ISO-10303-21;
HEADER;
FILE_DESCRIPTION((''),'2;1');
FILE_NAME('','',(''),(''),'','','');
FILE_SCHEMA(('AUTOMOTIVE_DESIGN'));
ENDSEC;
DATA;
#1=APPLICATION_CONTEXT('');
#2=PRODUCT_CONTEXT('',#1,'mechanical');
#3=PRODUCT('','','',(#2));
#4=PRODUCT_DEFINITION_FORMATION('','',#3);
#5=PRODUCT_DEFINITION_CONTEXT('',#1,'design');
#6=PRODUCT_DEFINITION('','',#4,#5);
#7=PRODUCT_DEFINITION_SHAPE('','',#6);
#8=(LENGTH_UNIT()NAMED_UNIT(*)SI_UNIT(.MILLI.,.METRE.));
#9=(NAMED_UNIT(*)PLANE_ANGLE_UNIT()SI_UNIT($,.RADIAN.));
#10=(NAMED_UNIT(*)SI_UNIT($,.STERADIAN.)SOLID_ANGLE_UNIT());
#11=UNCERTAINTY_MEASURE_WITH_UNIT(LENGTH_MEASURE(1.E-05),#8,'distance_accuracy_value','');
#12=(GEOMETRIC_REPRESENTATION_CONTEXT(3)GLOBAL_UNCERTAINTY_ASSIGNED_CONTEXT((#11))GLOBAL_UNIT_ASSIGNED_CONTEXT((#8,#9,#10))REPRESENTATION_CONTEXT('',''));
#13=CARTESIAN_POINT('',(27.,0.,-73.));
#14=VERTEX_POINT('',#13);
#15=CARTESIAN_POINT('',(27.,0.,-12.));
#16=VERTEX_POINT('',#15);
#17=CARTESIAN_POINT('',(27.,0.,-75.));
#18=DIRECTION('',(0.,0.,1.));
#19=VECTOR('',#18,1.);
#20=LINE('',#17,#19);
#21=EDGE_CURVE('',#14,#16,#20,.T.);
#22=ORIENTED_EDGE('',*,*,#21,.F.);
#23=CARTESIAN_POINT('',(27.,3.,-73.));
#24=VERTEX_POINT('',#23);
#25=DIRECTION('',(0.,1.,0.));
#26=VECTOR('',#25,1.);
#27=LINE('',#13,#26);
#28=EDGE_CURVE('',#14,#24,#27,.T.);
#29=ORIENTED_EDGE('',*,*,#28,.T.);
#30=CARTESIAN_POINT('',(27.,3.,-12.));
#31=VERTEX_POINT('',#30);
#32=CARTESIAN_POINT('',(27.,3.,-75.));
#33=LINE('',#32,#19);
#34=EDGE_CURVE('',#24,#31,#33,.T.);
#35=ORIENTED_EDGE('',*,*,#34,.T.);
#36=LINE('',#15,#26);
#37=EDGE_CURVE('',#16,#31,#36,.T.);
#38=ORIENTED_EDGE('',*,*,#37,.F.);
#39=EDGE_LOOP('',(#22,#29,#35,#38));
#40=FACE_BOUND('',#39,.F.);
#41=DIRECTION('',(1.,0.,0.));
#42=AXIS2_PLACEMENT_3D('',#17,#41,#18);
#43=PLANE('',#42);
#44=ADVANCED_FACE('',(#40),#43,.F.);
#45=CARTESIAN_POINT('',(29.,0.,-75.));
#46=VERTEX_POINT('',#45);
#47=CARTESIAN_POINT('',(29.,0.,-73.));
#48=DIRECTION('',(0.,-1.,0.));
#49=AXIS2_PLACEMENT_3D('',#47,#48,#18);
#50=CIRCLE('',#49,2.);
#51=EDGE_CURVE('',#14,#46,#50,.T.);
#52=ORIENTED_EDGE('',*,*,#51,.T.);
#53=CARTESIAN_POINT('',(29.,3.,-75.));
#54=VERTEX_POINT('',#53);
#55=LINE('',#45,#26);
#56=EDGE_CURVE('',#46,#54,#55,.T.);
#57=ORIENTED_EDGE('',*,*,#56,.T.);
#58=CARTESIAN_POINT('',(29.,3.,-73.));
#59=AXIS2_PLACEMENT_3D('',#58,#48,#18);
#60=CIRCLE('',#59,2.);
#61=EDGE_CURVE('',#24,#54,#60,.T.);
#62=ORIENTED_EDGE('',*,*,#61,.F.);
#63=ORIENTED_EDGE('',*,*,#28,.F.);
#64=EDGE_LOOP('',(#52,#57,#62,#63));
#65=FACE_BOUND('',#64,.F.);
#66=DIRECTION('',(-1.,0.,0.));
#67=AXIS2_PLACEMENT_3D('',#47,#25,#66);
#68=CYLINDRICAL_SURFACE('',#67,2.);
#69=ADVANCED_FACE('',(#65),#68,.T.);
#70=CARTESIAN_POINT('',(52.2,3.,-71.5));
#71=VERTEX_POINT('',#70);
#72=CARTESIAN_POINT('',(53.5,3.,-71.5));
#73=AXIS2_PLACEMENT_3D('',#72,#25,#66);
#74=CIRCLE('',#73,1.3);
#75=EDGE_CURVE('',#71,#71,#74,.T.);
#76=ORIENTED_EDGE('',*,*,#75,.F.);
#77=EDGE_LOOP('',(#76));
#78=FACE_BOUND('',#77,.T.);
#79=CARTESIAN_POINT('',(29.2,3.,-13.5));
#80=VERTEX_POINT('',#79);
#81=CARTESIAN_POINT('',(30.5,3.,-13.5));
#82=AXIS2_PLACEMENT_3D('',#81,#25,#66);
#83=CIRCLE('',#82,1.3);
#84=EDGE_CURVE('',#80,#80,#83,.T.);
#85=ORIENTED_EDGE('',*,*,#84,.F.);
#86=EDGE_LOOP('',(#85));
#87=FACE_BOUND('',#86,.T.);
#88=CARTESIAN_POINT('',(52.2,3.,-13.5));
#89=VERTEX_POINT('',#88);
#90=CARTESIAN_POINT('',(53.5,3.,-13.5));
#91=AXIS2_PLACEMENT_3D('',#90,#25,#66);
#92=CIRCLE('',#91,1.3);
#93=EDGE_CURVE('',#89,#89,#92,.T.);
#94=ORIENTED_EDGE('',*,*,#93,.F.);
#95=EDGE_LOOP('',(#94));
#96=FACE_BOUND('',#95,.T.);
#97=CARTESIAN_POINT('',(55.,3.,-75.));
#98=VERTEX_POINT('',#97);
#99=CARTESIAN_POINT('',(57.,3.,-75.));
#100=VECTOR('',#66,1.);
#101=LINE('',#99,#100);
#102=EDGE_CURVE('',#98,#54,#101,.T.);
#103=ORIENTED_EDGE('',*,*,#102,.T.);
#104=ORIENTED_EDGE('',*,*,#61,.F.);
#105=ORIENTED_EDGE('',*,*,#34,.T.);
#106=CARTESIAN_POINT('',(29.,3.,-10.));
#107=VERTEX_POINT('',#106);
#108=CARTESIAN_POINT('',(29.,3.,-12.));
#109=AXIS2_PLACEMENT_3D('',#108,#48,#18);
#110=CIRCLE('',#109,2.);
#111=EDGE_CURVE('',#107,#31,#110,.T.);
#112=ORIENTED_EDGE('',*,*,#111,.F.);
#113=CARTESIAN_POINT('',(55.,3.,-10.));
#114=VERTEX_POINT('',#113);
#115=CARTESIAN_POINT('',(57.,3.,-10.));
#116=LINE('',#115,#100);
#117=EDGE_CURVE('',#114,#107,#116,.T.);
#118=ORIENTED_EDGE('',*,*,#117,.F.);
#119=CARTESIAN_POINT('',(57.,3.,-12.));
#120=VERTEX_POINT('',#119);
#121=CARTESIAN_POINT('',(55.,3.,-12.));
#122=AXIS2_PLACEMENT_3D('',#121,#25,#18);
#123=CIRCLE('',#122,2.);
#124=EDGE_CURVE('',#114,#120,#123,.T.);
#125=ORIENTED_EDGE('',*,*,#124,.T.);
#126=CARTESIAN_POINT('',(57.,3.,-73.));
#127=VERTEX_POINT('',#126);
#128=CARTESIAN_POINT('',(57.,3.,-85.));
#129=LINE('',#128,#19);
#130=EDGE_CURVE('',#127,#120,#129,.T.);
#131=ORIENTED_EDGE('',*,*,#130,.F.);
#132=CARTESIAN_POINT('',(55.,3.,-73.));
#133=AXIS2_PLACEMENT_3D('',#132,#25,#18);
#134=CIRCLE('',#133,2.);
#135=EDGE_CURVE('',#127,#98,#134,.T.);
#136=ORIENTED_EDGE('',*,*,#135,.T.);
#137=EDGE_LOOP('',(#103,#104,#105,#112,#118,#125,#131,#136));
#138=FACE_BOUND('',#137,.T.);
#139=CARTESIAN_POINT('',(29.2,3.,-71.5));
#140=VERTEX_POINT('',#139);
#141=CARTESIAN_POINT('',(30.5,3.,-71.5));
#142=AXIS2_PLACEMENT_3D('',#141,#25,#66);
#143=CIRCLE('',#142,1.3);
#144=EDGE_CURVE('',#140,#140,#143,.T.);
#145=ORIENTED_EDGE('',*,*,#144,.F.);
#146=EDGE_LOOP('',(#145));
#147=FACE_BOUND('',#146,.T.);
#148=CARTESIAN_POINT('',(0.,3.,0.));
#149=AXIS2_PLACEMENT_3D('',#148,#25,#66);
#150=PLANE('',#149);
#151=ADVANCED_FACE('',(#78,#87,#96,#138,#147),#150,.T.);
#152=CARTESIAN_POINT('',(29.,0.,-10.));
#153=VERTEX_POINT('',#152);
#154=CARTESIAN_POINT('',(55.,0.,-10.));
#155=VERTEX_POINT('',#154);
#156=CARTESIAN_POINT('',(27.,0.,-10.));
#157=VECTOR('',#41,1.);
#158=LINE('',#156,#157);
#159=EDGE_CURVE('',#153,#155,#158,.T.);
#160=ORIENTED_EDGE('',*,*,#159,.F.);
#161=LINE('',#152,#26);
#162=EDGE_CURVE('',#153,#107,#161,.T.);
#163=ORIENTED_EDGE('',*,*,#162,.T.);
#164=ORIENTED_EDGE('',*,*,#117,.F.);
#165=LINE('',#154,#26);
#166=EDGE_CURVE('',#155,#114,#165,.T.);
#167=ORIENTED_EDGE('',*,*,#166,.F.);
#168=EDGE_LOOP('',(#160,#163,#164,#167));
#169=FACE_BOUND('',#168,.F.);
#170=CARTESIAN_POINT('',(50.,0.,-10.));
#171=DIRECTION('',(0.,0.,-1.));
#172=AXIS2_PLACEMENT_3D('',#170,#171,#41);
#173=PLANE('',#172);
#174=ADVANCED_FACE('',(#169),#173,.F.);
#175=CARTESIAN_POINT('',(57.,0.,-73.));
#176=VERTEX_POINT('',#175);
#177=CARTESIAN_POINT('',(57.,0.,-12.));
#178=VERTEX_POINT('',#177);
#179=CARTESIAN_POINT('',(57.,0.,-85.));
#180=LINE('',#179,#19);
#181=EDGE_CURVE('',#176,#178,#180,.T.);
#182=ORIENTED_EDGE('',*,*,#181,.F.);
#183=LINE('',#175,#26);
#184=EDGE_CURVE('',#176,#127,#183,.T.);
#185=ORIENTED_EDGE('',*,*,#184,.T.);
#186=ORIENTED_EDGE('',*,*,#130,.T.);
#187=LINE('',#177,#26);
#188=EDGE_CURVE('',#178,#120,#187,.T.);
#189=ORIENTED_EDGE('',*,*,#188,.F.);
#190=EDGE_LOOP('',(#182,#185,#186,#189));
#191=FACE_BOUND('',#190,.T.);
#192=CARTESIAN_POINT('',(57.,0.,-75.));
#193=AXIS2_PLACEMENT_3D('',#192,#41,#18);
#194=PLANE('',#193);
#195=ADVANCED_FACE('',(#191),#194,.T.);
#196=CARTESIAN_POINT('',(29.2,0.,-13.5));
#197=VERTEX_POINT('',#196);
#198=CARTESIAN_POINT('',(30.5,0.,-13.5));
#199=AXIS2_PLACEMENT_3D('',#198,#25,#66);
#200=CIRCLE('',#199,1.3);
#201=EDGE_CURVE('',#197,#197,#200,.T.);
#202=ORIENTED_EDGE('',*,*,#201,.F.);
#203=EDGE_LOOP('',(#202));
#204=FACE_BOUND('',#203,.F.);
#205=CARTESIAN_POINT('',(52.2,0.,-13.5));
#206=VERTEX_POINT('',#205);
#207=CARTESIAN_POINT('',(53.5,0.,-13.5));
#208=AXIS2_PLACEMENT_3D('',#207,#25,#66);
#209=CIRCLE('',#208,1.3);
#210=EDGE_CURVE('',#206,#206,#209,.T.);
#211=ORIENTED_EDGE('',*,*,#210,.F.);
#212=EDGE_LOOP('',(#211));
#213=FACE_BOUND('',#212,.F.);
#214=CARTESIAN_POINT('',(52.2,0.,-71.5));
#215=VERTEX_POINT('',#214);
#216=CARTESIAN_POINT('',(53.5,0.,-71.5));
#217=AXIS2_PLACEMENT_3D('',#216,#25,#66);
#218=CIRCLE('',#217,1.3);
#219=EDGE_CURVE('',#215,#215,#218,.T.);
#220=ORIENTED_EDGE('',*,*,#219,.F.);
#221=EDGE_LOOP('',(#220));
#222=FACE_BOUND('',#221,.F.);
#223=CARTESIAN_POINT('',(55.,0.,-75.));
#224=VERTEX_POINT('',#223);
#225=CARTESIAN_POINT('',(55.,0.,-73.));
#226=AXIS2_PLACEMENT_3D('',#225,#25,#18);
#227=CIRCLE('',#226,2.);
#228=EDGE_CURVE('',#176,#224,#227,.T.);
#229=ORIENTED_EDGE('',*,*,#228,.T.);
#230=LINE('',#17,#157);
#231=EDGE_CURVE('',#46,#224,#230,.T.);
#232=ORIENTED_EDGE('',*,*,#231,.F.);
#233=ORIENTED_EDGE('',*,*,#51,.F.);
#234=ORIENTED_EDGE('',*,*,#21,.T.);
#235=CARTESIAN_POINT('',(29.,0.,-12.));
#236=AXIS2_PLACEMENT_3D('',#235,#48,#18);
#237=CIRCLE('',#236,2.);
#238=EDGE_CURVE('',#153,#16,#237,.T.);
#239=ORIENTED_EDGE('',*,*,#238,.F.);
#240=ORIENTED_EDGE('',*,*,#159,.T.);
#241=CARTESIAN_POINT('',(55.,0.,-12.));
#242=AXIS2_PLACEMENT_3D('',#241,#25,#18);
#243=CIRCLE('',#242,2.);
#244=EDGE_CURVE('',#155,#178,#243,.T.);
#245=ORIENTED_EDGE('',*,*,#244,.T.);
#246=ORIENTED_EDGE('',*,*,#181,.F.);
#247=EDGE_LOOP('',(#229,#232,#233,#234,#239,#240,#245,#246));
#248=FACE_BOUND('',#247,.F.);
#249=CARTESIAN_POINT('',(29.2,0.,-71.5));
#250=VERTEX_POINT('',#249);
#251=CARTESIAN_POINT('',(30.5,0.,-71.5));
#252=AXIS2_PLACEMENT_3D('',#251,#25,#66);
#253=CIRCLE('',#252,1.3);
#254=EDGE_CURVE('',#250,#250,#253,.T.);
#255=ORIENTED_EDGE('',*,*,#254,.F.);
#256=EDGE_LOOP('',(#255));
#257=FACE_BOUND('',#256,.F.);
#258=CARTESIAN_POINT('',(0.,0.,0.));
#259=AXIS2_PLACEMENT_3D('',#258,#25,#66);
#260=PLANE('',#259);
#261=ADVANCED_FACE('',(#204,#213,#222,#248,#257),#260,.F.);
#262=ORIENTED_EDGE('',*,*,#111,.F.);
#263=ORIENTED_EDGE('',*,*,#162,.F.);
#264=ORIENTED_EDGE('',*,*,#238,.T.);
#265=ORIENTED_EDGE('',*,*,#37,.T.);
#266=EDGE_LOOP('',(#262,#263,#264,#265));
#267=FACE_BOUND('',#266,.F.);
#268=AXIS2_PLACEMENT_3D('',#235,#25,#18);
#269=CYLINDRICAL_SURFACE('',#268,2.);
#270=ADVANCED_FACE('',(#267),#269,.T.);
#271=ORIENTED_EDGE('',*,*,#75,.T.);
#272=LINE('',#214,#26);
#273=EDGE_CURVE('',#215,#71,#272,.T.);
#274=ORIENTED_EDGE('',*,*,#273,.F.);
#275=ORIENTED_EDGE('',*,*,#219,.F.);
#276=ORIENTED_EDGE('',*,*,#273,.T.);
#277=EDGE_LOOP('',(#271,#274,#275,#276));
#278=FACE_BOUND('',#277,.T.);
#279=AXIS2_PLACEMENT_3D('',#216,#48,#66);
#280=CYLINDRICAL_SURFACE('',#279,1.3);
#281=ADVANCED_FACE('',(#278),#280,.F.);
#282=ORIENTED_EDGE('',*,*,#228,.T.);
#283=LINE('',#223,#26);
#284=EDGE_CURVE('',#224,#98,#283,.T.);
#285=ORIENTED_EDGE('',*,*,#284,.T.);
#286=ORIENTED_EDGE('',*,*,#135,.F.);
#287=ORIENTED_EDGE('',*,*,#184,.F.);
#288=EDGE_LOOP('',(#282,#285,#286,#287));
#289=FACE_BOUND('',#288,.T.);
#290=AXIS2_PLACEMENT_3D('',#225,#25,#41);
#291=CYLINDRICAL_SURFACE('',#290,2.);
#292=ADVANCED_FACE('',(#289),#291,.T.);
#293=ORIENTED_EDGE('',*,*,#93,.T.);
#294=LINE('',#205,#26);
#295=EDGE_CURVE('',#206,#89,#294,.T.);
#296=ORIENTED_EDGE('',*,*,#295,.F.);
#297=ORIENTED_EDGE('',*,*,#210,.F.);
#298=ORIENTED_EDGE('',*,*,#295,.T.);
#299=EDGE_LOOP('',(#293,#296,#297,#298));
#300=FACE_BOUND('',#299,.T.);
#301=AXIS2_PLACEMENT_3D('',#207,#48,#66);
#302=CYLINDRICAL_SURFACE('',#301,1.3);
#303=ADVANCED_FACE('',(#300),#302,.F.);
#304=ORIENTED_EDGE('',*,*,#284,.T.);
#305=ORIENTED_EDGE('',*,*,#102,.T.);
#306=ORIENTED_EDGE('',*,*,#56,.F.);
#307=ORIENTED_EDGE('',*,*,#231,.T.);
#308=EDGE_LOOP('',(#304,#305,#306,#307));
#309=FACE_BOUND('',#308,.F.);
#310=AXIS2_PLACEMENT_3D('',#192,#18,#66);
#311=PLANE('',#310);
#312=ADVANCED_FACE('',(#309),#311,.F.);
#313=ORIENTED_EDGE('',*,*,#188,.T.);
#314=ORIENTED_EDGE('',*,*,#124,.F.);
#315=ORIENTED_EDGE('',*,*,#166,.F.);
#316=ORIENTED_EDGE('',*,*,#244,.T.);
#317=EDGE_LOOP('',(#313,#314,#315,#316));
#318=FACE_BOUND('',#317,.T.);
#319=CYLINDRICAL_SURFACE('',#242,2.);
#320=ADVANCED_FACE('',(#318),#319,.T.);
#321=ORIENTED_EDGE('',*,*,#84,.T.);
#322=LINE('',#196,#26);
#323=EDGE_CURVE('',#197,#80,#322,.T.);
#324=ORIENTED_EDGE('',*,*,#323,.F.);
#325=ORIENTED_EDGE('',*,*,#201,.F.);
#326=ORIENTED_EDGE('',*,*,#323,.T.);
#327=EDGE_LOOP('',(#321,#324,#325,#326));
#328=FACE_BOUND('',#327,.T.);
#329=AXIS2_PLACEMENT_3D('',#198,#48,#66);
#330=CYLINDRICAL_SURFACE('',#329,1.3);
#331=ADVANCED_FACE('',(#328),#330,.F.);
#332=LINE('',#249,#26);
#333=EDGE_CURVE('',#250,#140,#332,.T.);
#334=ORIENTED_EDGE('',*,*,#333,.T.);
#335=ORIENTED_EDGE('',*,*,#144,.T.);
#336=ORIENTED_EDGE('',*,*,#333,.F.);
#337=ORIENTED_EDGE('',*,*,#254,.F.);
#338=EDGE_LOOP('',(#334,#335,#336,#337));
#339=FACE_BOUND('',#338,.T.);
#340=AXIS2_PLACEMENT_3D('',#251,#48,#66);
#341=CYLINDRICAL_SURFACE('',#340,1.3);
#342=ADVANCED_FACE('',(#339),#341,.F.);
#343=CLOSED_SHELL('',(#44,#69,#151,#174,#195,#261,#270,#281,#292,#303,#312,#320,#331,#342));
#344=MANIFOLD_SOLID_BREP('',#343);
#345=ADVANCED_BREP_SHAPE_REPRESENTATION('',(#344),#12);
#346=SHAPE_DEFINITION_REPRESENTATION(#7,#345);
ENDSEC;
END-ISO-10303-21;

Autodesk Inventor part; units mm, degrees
ref_plane "YZ Plane" through (0, 0, 0) normal (1, 0, 0) x (0, 1, 0)
ref_plane "XZ Plane" through (0, 0, 0) normal (0, 1, 0) x (-1, 0, 0)
ref_plane "XY Plane" through (0, 0, 0) normal (0, 0, 1) x (1, 0, 0)
sketch "Base" plane through (0, 0, 0) normal (0, 1, 0) x (-1, 0, 0)
  line L0 (0, 0) -> (-117, 0)
  line L1 (-117, 0) -> (-117, -85)
  line L2 (-117, -85) -> (0, -85)
  line L3 (0, -85) -> (0, 0)
  line L4 (-117, -85) -> (-112, -85)
  line L5 (-112, -85) -> (-112, 0)
  line L6 (-112, 0) -> (-117, 0)
  line L7 (-117, 0) -> (-117, -85)
  circle A0 centre (-114.5, -82.5) radius 1.55
  circle A1 centre (-114.5, -2.5) radius 1.55
  line L8 (-112, -85) -> (-57, -85)
  line L9 (-57, -85) -> (-57, 0)
  line L10 (-57, 0) -> (-112, 0)
  line L11 (-112, 0) -> (-112, -85)
  line L12 (-57, -75) -> (-27, -75)
  line L13 (-27, -75) -> (-27, -10)
  line L14 (-27, -10) -> (-57, -10)
  line L15 (-57, -10) -> (-57, -75)
  circle A2 centre (-30.5, -71.5) radius 1.3
  circle A3 centre (-53.5, -71.5) radius 1.3
  circle A4 centre (-30.5, -13.5) radius 1.3
  circle A5 centre (-53.5, -13.5) radius 1.3
  line L16 (-27, -85) -> (-27, 0)
  circle A6 centre (-29.5, -2.5) radius 1.55
  circle A7 centre (-29.5, -82.5) radius 1.55
  line L17 (0, -83.35) -> (-50, -83.35)
  line L18 (-50, -83.35) -> (-50, -1.65)
  line L19 (-50, -1.65) -> (0, -1.65)
  line L20 (0, -1.65) -> (0, -83.35)
  circle A8 centre (-2.9, -80.45) radius 1.55
  circle A9 centre (-3.1, -4.55) radius 1.55
  line L21 (0, -83.35) -> (-27, -83.35)
  line L22 (-27, -83.35) -> (-27, -77.55)
  line L23 (-27, -77.55) -> (0, -77.55)
  line L24 (0, -77.55) -> (0, -83.35)
  line L25 (0, -1.65) -> (-27, -1.65)
  line L26 (-27, -1.65) -> (-27, -7.45)
  line L27 (-27, -7.45) -> (0, -7.45)
  line L28 (0, -7.45) -> (0, -1.65)
  point P0 (-27, -10)
  point P1 (0, -7.45)
  point P2 (0, -77.55)
  dimension "d0" = 117
  dimension "d1" = 85
  dimension "d2" = 5
  dimension "d3" = 85
  dimension "d4" = 3.1
  dimension "d5" = 3.1
  dimension "d6" = 2.5
  dimension "d7" = 2.5
  dimension "d8" = 2.5
  dimension "d9" = 2.5
  dimension "d10" = 55
  dimension "d11" = 85
  dimension "d12" = 30
  dimension "d13" = 65
  dimension "d14" = 10
  dimension "d15" = 10
  dimension "d16" = 2.6
  dimension "d17" = 2.6
  dimension "d18" = 2.6
  dimension "d19" = 2.6
  dimension "d20" = 3.5
  dimension "d21" = 3.5
  dimension "d22" = 3.5
  dimension "d23" = 3.5
  dimension "d24" = 3.5
  dimension "d25" = 3.5
  dimension "d26" = 3.5
  dimension "d27" = 3.5
  dimension "d28" = 0
  dimension "d29" = 3.1
  dimension "d30" = 2.5
  dimension "d31" = 2.5
  dimension "d32" = 3.1
  dimension "d33" = 2.5
  dimension "d34" = 2.5
  dimension "d38" = 50
  dimension "d39" = 81.7
  dimension "d40" = 1.65
  dimension "d41" = 1.65
  dimension "d42" = 3.1
  dimension "d43" = 3.1
  dimension "d44" = 2.9
  dimension "d45" = 3.1
  dimension "d46" = 2.9
  dimension "d47" = 2.9
  dimension "d48" = 27
  dimension "d49" = 5.8
  dimension "d50" = 27
  dimension "d51" = 5.8
extrude "Extrusion2" add sketch "Base" along normal blind 3 contours L14 L18 L12 L9 | L14 L13 L12 L18
fillet "Fillet3" radius 2 4 edges at (57, 1.5, -10) (57, 1.5, -75) (27, 1.5, -10) (27, 1.5, -75)
properties part number "00_BottomPart"
